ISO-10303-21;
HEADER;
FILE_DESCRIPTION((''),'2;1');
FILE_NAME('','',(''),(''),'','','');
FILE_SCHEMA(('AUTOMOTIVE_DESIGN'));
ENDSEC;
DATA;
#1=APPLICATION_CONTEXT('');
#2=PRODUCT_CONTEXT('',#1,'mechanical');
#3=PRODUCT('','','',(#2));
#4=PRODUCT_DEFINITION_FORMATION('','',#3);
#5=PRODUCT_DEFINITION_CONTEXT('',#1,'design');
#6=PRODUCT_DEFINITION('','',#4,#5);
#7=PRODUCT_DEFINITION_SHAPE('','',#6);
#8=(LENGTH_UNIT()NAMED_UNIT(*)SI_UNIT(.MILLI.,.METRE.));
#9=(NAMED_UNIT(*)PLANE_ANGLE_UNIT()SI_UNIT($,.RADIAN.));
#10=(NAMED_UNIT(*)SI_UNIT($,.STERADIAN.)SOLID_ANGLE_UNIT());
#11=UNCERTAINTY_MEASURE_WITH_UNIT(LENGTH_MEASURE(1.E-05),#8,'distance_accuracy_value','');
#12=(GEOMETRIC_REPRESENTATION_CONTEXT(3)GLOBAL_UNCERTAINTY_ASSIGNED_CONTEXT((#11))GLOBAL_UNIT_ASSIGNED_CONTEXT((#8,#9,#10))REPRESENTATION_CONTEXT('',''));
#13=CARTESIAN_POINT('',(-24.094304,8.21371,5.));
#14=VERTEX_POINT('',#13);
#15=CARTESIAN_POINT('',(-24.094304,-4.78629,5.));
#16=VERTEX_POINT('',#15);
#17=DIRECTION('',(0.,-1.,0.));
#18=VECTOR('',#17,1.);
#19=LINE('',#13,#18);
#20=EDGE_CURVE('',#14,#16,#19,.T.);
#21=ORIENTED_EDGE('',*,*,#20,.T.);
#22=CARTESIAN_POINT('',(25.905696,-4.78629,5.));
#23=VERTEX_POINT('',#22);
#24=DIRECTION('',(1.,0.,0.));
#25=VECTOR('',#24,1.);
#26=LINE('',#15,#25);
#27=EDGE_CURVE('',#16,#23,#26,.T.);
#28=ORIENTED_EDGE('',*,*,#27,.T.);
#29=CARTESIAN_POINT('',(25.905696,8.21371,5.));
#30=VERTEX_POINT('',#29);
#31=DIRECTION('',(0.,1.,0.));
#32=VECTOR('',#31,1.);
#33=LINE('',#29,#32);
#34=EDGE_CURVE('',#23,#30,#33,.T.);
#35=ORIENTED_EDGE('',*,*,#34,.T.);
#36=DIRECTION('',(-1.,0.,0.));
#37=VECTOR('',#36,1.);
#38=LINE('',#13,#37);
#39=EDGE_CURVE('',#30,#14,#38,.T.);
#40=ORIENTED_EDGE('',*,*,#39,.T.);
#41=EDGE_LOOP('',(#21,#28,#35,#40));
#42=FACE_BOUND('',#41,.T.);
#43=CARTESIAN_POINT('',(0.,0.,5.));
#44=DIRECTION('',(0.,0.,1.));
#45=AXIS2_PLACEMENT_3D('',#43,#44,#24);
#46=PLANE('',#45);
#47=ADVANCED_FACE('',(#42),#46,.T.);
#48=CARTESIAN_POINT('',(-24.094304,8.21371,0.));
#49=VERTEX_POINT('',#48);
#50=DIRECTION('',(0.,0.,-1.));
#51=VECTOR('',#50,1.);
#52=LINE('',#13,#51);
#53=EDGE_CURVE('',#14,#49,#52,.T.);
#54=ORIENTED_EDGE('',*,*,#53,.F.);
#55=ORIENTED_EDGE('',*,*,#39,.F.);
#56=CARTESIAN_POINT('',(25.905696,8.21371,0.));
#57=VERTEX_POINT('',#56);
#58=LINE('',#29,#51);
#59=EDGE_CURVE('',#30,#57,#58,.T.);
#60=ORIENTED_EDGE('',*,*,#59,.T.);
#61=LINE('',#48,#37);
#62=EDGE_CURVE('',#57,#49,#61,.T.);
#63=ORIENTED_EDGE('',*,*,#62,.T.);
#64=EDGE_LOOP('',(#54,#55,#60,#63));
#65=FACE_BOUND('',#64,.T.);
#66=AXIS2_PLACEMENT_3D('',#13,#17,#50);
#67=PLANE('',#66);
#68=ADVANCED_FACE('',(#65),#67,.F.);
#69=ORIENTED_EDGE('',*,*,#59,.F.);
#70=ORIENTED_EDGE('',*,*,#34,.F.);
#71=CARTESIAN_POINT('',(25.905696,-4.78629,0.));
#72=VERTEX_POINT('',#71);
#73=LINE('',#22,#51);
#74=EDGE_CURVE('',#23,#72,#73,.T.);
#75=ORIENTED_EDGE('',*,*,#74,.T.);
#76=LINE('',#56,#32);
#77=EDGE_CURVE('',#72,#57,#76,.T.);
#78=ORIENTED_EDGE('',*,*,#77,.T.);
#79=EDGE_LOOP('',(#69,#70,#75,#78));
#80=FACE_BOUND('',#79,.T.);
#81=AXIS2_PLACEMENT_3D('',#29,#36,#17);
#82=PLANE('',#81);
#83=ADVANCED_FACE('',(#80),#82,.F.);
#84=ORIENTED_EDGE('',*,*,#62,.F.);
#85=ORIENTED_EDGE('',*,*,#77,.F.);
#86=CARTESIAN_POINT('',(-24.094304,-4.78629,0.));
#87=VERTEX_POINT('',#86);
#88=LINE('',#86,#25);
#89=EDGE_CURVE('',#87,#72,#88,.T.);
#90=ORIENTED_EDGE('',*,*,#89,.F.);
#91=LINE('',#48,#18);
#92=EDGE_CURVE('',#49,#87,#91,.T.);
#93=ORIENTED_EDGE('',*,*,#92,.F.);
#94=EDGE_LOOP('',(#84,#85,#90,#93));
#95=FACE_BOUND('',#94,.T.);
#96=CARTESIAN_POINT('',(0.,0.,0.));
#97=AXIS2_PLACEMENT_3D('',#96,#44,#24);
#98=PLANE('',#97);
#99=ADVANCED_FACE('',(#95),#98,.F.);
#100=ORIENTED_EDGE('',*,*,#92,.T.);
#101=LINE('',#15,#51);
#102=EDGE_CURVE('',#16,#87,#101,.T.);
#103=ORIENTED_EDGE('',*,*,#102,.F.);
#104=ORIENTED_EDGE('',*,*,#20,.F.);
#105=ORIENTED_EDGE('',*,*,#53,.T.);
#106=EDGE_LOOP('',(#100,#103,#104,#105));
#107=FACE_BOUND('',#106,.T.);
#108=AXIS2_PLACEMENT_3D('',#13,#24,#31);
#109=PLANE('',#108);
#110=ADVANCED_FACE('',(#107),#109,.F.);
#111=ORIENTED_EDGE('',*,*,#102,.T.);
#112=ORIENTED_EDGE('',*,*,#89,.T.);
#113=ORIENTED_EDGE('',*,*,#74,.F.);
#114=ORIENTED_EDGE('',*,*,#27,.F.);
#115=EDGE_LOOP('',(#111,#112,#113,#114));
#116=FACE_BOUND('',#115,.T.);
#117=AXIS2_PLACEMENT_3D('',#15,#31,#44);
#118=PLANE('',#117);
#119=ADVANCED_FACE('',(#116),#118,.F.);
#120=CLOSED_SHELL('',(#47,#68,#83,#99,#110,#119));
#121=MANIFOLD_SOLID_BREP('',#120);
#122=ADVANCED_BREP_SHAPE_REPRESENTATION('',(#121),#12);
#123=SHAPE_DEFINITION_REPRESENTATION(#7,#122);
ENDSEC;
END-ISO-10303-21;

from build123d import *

# Parameters (mm, degrees)
SKETCH_1_W      = 50
SKETCH_1_H      = 13
EXTRUDE_1_DEPTH = 5


with BuildPart() as part:
    # 草圖1 → 填料-伸長1 (new body)
    with BuildSketch(Plane.XY):
        with Locations((0.90569562, 1.713709677)):
            Rectangle(SKETCH_1_W, SKETCH_1_H)
    extrude(amount=EXTRUDE_1_DEPTH)


solid = part.part
